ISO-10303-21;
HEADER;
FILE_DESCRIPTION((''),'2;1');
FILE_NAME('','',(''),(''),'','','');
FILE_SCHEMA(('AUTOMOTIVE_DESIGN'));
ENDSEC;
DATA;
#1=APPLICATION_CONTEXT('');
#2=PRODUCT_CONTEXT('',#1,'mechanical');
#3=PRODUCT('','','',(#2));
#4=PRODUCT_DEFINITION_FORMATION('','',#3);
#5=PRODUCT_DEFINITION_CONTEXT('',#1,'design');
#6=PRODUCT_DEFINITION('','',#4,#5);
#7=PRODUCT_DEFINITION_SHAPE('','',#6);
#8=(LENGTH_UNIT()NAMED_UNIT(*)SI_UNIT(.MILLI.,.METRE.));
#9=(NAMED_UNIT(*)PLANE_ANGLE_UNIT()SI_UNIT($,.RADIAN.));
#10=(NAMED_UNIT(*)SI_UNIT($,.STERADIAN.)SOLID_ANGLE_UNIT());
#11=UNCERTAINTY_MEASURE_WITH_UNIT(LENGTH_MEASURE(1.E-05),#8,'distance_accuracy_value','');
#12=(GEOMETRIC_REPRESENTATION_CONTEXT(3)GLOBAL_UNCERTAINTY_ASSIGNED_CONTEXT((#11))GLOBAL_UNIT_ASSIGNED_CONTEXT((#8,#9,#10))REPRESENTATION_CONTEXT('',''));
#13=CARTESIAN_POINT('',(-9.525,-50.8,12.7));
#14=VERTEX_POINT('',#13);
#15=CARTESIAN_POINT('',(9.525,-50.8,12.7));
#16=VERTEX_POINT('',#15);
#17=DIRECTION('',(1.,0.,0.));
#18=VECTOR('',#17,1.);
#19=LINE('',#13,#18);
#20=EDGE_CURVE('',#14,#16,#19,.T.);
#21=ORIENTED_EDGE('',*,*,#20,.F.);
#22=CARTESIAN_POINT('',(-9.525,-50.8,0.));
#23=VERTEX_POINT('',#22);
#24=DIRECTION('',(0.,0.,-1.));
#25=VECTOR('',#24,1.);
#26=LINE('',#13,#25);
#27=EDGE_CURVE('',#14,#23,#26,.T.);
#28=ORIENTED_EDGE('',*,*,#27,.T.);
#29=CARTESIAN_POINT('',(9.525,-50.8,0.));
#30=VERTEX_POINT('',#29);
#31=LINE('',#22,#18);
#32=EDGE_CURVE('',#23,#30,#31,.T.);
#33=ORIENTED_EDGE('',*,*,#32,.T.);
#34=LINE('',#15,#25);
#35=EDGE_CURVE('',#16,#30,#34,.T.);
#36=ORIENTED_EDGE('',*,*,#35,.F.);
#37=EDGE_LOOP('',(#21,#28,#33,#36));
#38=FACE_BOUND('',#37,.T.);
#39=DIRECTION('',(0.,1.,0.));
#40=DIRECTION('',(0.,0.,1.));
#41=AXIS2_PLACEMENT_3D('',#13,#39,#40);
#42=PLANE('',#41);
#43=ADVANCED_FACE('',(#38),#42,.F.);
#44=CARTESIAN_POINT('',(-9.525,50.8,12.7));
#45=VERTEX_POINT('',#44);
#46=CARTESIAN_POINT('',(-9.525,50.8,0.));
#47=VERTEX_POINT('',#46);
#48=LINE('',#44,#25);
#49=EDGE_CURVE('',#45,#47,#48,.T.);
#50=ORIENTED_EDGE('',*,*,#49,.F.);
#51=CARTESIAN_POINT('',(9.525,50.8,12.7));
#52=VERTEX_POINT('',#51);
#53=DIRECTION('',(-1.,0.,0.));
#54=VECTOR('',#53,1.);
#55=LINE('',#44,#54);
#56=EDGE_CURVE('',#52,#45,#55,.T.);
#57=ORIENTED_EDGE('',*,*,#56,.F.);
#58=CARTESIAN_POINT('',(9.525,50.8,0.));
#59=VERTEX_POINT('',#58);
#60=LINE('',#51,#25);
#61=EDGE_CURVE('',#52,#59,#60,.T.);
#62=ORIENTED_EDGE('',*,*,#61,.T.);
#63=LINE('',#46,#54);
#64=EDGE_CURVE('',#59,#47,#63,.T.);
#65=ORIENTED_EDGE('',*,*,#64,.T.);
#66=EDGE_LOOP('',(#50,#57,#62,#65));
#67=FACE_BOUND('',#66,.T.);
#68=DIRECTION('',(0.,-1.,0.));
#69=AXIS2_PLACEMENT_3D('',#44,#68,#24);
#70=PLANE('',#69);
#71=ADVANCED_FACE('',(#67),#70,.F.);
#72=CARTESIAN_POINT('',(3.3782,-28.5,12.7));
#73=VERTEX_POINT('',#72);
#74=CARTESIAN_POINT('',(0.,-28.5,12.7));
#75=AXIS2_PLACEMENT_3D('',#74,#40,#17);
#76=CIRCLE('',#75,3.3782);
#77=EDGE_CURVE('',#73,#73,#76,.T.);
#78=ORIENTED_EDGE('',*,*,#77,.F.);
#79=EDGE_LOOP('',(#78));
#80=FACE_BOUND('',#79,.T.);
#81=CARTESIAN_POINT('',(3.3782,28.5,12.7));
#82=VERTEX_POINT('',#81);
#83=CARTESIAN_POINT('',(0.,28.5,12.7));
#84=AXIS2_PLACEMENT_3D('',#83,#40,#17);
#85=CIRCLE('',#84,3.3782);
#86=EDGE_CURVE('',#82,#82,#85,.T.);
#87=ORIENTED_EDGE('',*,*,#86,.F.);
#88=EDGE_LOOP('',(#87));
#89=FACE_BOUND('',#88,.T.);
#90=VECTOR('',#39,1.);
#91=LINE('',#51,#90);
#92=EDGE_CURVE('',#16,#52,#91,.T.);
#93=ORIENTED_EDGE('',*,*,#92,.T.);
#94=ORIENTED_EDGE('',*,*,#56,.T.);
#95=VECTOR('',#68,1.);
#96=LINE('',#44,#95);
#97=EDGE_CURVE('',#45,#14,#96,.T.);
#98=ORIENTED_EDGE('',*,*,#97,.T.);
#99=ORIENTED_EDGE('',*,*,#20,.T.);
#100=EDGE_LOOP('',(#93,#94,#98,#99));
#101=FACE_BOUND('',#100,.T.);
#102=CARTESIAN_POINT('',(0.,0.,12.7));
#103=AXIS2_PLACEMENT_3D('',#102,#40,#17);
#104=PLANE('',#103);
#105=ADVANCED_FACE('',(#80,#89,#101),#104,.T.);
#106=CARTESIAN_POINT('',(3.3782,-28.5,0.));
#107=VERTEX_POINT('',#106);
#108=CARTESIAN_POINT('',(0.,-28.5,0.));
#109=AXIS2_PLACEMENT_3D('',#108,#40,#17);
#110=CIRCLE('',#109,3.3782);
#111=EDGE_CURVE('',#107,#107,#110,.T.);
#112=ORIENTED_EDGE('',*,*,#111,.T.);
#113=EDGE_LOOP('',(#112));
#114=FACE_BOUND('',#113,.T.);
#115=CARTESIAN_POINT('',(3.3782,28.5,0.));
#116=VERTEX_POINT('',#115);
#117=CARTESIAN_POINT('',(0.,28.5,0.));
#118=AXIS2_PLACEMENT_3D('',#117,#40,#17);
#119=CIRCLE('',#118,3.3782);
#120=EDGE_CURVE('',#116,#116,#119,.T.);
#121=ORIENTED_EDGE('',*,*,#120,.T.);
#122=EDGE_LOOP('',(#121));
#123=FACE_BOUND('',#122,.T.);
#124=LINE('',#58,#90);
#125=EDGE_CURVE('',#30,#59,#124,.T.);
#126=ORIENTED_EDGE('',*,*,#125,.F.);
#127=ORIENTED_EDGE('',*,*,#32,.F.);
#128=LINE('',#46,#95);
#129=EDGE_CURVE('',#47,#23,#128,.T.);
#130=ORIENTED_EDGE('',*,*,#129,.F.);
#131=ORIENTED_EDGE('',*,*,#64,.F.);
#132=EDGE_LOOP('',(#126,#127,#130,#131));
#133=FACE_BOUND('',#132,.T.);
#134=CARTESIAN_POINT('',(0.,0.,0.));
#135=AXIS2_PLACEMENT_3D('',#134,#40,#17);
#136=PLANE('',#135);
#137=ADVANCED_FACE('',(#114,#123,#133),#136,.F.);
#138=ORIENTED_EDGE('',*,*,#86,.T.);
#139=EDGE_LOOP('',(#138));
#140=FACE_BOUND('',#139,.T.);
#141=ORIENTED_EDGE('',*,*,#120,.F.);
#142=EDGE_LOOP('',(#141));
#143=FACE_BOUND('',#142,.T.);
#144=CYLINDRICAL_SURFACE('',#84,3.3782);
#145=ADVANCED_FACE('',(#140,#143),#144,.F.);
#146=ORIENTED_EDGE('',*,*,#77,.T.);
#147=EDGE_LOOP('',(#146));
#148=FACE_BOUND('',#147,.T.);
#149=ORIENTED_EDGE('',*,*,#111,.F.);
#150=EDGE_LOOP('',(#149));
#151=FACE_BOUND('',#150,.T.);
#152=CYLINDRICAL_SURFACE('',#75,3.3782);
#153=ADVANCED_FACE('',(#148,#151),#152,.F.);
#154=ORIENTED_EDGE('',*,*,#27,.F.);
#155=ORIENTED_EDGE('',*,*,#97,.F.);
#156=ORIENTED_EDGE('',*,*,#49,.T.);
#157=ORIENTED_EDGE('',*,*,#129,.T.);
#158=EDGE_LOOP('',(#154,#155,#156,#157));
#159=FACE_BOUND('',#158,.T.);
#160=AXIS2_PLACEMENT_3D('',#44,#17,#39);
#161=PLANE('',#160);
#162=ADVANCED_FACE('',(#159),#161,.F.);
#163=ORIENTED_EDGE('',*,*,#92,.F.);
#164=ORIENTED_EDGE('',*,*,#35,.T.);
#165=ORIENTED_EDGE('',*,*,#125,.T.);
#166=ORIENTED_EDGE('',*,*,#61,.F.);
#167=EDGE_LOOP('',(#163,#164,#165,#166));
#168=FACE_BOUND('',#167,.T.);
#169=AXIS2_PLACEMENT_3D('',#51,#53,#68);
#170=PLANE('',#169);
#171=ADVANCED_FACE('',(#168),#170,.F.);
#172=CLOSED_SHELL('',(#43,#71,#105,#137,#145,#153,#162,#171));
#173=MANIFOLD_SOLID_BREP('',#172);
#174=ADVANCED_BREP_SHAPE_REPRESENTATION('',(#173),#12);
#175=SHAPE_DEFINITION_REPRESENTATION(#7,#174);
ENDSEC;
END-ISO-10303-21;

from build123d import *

# Parameters (mm, degrees)
SKETCH1_W               = 19.05
SKETCH1_H               = 101.6
BOSS_EXTRUDE1_DEPTH     = 12.7
F_1_4_CLEARANCE_HOLE1_D = 6.7564


with BuildPart() as part:
    # Sketch1 → Boss-Extrude1 (new body)
    with BuildSketch(Plane.XY):
        Rectangle(SKETCH1_W, SKETCH1_H)
    extrude(amount=BOSS_EXTRUDE1_DEPTH)

    # 1/4 Clearance Hole1 (through all)
    with Locations(Plane.XY.offset(12.7)):
        with Locations((0, 28.5), (0, -28.5)):
            Hole(F_1_4_CLEARANCE_HOLE1_D / 2)


solid = part.part
